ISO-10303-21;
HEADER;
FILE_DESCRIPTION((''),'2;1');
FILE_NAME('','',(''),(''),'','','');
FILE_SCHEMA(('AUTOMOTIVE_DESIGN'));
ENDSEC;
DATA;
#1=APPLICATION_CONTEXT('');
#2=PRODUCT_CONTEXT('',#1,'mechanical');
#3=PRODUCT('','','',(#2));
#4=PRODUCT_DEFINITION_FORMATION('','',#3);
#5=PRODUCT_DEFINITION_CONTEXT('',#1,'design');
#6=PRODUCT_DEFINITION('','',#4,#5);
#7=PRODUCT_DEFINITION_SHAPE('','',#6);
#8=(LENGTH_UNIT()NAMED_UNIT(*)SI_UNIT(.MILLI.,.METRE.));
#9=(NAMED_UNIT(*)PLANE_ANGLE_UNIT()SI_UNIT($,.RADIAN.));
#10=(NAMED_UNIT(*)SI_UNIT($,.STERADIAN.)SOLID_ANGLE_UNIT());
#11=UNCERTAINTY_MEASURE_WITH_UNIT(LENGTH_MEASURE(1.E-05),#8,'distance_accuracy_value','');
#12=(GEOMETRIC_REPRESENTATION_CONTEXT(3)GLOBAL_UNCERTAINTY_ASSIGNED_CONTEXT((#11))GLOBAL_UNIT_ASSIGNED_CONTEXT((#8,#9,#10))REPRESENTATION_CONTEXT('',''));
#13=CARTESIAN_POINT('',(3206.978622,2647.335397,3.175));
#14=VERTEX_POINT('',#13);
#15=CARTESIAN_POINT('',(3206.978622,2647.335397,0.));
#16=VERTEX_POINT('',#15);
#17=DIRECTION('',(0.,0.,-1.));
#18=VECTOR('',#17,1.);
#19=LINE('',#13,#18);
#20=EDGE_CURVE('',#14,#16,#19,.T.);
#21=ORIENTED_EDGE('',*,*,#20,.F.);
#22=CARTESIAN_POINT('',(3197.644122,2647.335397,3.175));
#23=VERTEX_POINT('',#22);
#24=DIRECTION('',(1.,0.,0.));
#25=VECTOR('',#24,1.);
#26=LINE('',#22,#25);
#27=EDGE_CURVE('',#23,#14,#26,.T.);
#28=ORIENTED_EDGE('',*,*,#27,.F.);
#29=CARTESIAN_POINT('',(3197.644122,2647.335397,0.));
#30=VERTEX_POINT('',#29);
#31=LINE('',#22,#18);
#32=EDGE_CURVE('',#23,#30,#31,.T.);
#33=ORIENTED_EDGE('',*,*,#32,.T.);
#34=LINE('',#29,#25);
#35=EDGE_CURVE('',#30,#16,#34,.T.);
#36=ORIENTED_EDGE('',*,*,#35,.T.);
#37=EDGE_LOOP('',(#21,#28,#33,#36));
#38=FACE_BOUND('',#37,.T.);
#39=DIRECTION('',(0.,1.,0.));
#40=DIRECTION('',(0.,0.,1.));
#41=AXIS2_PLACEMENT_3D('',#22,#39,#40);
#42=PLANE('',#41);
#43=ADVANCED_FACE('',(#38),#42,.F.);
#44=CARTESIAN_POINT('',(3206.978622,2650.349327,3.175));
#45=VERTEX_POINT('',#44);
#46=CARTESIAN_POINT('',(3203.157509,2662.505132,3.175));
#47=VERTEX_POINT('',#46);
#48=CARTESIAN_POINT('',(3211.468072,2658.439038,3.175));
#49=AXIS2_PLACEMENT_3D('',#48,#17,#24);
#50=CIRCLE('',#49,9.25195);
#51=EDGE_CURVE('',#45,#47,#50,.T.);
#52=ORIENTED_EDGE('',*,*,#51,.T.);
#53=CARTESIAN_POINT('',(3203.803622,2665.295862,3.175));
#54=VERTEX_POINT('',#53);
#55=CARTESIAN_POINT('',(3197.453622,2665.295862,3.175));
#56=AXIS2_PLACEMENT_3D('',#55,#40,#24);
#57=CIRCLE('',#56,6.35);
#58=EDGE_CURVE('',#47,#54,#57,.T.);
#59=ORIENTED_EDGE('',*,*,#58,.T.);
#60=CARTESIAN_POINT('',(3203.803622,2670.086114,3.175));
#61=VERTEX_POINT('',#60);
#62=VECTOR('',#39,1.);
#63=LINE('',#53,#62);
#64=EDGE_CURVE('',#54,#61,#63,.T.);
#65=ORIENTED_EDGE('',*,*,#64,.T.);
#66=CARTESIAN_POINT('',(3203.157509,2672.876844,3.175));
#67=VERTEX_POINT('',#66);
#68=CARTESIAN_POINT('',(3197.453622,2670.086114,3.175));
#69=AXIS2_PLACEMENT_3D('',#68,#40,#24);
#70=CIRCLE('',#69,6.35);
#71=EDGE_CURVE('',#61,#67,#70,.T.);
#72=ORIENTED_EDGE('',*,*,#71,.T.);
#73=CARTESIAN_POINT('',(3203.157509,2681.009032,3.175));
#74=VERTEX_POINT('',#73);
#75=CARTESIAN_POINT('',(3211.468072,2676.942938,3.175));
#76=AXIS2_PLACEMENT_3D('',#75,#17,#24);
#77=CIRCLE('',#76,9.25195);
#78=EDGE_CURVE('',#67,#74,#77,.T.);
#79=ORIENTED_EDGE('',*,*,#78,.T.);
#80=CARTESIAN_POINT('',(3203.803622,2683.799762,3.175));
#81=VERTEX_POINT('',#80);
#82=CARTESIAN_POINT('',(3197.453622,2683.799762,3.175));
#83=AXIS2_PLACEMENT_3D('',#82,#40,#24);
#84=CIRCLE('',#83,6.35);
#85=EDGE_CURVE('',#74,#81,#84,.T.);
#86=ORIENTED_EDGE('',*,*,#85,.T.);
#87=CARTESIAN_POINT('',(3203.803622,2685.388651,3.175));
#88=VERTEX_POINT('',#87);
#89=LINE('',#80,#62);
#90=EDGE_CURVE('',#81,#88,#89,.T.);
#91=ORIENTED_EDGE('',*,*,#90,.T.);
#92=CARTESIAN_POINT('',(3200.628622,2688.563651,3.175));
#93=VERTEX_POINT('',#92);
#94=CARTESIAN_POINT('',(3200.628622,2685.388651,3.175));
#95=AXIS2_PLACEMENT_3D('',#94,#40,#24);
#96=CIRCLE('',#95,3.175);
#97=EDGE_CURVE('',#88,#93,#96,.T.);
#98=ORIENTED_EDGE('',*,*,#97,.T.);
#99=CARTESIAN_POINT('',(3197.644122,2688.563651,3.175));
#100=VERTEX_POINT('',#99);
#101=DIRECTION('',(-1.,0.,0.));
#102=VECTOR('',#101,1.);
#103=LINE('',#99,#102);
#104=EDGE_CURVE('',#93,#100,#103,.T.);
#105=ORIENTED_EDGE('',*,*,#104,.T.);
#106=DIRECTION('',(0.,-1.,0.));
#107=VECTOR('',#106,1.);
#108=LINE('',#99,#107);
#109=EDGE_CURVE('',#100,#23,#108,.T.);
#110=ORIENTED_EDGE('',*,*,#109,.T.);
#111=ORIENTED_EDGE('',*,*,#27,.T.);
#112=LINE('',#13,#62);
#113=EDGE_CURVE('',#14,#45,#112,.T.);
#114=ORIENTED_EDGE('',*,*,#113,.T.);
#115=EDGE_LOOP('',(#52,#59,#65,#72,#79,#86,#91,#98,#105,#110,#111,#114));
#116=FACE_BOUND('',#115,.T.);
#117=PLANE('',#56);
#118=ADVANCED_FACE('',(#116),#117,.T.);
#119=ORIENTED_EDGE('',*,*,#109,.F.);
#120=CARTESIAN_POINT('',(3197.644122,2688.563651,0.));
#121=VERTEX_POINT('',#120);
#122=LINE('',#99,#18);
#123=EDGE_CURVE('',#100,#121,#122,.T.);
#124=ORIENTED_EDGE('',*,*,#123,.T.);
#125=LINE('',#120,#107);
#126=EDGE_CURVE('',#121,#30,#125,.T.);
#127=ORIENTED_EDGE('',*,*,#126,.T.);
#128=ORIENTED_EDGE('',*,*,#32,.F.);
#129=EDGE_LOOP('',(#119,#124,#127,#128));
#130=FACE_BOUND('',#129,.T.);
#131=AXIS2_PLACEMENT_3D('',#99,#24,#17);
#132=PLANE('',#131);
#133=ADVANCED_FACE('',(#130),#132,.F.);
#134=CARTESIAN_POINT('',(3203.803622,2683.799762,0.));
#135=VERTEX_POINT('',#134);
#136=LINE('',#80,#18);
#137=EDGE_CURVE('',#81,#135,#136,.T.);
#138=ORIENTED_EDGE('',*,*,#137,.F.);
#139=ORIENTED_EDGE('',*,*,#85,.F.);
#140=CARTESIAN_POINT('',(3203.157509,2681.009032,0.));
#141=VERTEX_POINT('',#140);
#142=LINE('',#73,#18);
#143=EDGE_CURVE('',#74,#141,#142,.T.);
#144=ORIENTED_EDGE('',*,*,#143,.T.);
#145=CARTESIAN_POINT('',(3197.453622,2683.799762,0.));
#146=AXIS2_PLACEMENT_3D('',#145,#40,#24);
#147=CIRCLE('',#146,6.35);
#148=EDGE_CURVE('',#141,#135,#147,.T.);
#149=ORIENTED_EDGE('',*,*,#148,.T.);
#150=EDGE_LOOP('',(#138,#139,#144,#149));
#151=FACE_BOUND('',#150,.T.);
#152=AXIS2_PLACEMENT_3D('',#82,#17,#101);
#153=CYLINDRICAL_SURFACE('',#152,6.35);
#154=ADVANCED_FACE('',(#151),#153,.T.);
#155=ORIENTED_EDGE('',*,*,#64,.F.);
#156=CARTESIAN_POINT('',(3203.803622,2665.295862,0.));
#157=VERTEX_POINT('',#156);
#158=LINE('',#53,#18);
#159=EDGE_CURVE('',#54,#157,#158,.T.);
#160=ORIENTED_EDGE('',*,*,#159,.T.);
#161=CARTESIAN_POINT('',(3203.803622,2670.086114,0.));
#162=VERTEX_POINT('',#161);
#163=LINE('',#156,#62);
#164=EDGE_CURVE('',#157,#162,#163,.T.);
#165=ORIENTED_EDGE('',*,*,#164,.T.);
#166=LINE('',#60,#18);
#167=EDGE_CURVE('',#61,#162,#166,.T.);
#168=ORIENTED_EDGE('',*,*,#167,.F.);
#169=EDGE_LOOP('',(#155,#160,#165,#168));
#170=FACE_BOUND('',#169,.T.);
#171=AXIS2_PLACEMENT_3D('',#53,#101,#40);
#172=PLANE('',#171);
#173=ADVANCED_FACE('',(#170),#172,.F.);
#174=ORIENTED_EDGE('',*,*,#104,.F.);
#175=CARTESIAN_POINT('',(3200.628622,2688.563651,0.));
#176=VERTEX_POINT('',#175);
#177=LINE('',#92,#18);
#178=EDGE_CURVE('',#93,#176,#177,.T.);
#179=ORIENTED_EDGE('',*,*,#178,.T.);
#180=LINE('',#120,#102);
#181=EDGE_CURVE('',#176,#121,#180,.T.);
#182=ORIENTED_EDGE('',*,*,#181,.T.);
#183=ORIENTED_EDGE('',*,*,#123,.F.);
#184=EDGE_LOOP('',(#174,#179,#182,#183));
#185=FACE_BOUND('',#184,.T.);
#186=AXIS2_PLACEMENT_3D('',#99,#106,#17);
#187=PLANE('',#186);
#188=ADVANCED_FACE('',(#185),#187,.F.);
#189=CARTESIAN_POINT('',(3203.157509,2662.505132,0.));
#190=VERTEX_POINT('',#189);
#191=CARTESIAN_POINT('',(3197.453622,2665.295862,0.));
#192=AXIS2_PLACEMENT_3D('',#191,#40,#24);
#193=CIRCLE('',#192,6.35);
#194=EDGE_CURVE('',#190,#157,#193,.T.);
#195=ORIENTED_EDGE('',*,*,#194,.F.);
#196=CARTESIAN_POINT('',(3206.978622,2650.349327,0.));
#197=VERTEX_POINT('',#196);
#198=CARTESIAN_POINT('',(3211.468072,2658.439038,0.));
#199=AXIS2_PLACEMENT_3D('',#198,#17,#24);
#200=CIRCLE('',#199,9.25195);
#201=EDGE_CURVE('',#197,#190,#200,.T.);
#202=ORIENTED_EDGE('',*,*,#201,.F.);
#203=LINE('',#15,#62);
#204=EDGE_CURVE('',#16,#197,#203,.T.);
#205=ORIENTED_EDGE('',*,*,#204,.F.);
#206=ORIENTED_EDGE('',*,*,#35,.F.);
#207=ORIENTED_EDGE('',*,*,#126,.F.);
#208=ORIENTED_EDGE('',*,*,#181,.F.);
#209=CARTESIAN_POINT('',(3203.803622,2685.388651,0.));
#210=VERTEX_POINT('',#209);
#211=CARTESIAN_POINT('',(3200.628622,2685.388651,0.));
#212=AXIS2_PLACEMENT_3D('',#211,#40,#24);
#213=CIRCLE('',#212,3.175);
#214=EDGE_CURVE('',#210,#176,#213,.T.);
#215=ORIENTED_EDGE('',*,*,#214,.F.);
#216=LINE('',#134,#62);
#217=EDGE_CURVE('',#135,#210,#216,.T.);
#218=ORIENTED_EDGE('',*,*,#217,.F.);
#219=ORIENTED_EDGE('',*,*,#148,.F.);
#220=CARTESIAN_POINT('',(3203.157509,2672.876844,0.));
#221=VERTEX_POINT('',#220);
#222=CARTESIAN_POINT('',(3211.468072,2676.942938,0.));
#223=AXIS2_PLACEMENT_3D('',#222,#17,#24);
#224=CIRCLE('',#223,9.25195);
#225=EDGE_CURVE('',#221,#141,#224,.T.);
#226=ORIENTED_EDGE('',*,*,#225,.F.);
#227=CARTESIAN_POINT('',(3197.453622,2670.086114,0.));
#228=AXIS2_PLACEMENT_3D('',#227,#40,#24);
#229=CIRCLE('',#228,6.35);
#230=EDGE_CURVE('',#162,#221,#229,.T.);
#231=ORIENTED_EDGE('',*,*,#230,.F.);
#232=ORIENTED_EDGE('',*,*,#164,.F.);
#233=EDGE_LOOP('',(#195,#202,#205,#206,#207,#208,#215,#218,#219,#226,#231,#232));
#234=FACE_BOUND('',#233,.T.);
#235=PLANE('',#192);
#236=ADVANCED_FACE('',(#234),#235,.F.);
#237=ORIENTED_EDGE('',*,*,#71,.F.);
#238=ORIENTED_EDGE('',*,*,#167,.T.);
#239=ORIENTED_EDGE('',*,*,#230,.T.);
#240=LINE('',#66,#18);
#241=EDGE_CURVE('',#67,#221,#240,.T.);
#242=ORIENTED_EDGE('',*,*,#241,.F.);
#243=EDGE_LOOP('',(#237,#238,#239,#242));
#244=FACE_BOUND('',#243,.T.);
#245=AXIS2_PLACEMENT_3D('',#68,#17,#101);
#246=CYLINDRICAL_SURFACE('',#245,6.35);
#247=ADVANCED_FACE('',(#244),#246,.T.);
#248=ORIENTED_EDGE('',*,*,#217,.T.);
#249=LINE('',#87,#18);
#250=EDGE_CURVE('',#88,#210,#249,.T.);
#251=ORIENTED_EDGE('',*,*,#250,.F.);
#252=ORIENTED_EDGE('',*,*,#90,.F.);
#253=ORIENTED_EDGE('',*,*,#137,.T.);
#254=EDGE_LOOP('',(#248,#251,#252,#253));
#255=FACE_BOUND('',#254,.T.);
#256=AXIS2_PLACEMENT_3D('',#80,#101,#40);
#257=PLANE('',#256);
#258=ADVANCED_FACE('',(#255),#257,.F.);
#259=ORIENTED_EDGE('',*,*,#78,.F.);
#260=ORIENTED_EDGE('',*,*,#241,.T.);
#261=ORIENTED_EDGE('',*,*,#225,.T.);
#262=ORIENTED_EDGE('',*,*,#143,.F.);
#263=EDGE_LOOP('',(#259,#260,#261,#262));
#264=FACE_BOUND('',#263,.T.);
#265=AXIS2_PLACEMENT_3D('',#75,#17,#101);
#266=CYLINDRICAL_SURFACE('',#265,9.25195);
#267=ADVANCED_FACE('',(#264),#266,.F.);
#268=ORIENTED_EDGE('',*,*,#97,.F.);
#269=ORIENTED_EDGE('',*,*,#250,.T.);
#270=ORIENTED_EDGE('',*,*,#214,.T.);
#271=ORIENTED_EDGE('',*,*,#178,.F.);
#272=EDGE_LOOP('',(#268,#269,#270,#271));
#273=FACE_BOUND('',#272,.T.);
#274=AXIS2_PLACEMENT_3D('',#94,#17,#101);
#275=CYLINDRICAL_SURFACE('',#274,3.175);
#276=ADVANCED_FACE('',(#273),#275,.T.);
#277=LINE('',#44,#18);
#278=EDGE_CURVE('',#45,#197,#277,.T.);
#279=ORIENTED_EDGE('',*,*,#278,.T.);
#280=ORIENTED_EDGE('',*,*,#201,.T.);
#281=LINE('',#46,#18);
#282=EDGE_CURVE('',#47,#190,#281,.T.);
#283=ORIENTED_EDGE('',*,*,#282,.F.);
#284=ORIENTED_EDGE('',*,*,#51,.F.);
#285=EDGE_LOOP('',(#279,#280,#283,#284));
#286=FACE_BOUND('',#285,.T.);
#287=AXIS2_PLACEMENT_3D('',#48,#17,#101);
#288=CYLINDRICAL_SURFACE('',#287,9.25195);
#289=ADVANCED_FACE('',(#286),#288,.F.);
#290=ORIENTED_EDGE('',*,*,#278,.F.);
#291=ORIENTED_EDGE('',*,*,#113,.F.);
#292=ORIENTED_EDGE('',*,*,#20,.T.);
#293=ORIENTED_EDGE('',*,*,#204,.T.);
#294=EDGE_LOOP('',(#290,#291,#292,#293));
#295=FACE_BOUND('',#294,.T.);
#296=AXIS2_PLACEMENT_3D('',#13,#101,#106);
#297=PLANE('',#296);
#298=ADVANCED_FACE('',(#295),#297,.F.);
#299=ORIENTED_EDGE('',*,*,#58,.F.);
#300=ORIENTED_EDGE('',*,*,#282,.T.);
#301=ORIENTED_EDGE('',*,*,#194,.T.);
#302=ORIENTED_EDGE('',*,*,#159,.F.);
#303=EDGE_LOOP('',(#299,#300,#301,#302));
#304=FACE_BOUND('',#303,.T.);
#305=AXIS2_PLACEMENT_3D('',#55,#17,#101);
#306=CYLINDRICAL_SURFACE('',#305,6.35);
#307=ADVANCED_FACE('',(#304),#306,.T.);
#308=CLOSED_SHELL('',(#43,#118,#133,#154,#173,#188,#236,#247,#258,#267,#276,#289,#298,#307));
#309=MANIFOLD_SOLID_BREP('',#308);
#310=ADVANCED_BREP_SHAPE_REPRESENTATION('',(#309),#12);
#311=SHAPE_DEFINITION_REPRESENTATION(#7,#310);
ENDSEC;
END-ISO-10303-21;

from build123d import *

# Parameters (mm, degrees)
BOSS_EXTRUDE1_DEPTH = 3.175


with BuildPart() as part:
    # Sketch1 → Boss-Extrude1 (new body)
    with BuildSketch(Plane.XY):
        with BuildLine():
            Line((3197.644121692, 2688.563651274), (3197.644121692, 2647.335396863))
            Line((3197.644121692, 2647.335396863), (3206.978621692, 2647.335396863))
            Line((3206.978621692, 2647.335396863), (3206.978621692, 2650.349327172))
            ThreePointArc((3206.978621692, 2650.349327172), (3202.641918543, 2655.664582974), (3203.157508546, 2662.505131592))
            ThreePointArc((3203.157508546, 2662.505131592), (3203.639984983, 2663.86358759), (3203.803621692, 2665.29586174))
            Line((3203.803621692, 2665.29586174), (3203.803621692, 2670.086113793))
            ThreePointArc((3203.803621692, 2670.086113793), (3203.639984983, 2671.518387942), (3203.157508546, 2672.876843941))
            ThreePointArc((3203.157508546, 2672.876843941), (3202.216121692, 2676.942937766), (3203.157508546, 2681.009031592))
            ThreePointArc((3203.157508546, 2681.009031592), (3203.639984983, 2682.36748759), (3203.803621692, 2683.79976174))
            Line((3203.803621692, 2683.79976174), (3203.803621692, 2685.388651274))
            ThreePointArc((3203.803621692, 2685.388651274), (3202.873685722, 2687.633715304), (3200.628621692, 2688.563651274))
            Line((3200.628621692, 2688.563651274), (3197.644121692, 2688.563651274))
        make_face()
    extrude(amount=BOSS_EXTRUDE1_DEPTH)


solid = part.part
